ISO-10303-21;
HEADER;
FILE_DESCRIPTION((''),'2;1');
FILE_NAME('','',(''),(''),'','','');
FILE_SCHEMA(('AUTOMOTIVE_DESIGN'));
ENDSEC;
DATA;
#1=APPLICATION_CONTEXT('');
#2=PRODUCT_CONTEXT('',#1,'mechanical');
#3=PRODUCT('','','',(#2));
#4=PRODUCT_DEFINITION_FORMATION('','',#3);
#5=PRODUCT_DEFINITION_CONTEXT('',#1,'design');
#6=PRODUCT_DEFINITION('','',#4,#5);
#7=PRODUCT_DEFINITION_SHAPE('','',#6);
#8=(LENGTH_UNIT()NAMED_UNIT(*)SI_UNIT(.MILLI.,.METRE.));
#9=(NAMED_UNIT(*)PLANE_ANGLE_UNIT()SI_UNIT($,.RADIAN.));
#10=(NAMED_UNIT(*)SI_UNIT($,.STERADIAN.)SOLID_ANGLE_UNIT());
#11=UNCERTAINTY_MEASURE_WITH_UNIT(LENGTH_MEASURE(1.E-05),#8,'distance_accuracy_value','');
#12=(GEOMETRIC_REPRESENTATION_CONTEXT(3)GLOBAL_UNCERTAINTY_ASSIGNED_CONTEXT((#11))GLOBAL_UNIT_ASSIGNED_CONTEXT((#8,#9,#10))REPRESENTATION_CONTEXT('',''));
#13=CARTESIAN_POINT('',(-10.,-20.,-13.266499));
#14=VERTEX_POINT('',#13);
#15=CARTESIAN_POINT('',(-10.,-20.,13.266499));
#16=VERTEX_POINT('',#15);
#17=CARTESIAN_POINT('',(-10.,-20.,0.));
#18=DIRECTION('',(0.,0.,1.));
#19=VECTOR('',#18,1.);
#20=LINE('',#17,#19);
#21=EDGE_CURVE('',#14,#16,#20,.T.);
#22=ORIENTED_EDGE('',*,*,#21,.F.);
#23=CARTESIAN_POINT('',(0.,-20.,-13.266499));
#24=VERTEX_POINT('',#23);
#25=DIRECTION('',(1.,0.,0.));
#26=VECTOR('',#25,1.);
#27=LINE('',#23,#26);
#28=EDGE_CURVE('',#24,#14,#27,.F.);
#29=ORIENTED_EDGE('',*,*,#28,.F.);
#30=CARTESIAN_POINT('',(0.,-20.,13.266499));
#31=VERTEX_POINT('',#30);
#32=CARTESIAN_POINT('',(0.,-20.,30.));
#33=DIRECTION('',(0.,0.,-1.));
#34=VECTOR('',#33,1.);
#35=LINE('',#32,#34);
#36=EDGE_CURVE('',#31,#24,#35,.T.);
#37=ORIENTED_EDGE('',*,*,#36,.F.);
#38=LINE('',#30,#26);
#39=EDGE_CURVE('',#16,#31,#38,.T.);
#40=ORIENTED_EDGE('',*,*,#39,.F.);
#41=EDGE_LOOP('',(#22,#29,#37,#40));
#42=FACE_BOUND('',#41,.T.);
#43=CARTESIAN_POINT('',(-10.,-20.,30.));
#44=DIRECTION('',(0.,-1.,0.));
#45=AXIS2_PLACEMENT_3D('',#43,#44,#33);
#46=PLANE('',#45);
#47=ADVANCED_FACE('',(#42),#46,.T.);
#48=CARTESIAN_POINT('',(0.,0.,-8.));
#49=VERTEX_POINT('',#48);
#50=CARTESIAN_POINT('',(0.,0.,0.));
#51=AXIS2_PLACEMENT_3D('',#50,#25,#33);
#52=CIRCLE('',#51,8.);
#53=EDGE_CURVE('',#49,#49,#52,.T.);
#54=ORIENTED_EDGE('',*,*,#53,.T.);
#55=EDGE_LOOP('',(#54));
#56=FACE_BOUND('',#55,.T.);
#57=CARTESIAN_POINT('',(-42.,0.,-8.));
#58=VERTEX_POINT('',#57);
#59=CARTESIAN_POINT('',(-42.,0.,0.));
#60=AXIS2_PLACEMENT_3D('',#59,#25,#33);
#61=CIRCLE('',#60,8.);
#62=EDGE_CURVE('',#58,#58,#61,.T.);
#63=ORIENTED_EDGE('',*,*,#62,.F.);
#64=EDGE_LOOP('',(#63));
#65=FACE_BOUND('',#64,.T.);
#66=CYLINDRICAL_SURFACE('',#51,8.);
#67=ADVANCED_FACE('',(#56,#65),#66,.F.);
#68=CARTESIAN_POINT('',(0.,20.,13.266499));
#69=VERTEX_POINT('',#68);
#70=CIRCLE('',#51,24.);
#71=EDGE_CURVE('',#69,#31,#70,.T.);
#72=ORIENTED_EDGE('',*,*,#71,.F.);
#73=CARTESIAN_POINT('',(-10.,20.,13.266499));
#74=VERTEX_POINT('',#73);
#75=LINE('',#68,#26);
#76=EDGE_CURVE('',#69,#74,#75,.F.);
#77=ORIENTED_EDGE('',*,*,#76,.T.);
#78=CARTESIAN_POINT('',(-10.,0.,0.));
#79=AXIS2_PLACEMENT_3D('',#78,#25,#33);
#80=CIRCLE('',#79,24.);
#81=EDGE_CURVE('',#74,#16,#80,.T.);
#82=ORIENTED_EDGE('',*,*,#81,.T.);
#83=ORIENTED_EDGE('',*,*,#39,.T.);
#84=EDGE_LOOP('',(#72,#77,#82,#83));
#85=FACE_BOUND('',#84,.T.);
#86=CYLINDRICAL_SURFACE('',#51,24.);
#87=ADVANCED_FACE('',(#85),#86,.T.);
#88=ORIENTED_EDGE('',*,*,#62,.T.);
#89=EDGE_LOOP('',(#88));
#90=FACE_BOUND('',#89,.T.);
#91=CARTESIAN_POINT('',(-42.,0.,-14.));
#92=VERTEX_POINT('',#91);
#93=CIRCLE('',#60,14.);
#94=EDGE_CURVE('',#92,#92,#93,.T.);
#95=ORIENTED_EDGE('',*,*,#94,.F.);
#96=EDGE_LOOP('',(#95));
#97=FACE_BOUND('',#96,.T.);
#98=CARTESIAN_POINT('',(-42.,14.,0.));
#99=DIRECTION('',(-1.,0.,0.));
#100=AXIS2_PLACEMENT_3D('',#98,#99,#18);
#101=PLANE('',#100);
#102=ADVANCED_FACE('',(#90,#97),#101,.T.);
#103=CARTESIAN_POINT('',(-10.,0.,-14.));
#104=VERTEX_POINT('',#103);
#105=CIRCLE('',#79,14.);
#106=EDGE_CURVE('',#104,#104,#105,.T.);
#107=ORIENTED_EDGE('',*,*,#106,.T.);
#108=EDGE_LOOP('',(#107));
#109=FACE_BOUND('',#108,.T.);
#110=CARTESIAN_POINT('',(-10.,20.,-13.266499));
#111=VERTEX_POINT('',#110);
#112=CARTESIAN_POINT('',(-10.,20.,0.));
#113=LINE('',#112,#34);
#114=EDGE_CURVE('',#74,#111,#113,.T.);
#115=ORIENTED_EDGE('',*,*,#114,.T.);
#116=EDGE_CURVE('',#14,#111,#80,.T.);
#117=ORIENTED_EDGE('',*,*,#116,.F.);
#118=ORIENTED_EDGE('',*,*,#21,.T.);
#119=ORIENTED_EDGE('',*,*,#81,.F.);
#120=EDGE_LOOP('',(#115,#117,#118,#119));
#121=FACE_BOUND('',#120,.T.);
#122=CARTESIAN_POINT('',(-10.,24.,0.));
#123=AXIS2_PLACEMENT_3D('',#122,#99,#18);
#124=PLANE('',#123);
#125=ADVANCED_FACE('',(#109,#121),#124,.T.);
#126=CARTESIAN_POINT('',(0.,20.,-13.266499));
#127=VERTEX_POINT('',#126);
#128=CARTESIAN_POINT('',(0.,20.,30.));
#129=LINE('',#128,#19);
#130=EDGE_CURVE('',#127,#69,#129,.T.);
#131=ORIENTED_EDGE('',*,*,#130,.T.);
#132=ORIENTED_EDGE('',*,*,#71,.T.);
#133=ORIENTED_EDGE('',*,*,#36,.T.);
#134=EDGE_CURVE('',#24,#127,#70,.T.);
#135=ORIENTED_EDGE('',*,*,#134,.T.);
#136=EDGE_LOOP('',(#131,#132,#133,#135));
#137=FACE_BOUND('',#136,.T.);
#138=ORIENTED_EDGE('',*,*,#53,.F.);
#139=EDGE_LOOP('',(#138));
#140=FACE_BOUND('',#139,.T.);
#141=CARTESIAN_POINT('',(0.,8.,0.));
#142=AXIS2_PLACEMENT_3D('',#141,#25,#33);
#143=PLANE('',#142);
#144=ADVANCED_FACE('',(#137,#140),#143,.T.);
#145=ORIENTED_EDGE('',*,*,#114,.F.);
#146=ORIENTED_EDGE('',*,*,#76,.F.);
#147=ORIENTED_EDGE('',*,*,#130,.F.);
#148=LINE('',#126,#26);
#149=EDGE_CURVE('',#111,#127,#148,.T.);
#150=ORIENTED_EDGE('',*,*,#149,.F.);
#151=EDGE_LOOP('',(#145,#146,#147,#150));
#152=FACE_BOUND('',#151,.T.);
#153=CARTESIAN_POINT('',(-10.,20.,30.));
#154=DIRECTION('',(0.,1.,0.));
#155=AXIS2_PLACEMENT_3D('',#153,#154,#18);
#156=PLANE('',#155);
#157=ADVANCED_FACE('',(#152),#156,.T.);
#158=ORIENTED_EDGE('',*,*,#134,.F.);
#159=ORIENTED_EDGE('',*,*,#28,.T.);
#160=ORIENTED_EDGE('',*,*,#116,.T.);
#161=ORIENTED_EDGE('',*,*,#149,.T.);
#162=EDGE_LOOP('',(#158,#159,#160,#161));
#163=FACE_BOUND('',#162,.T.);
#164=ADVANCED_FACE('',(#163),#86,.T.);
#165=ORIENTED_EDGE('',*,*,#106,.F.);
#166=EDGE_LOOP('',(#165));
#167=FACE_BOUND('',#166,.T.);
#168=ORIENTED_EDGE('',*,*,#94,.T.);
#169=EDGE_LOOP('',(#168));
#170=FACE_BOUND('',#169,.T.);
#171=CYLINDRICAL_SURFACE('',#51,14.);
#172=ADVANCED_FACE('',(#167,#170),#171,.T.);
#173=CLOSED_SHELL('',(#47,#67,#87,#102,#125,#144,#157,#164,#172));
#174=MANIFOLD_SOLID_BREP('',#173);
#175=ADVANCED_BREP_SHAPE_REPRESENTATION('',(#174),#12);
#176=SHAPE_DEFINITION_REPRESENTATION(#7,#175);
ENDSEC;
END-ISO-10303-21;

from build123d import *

# Parameters (mm, degrees)
CROQUIS2_OUTSIDE_W    = 65.964
CROQUIS2_OUTSIDE_H    = 65.964
CROQUIS2_OUTSIDE_W_2  = 60
CROQUIS2_OUTSIDE_H_2  = 40
CORTAR_EXTRUIR1_DEPTH = 10


with BuildPart() as part:
    # Croquis1 → Revolución1 (revolve)
    with BuildSketch(Plane.XY, mode=Mode.PRIVATE) as revoluci_n1_sk:
        Polygon((0, 8), (0, 24), (-10, 24), (-10, 14), (-42, 14), (-42, 8), align=None)
    revolve(revoluci_n1_sk.sketch.rotate(Axis((0, 0, 0), (-1, 0, 0)), 90), axis=Axis((0, 0, 0), (-1, 0, 0)))

    # Croquis2 outside → Cortar-Extruir1 (cut)
    with BuildSketch(Plane(origin=(0, 0, 0), x_dir=(0, 0, -1), z_dir=(1, 0, 0))):
        Rectangle(CROQUIS2_OUTSIDE_W, CROQUIS2_OUTSIDE_H)
        Rectangle(CROQUIS2_OUTSIDE_W_2, CROQUIS2_OUTSIDE_H_2, mode=Mode.SUBTRACT)
    extrude(amount=-CORTAR_EXTRUIR1_DEPTH, mode=Mode.SUBTRACT)


solid = part.part
